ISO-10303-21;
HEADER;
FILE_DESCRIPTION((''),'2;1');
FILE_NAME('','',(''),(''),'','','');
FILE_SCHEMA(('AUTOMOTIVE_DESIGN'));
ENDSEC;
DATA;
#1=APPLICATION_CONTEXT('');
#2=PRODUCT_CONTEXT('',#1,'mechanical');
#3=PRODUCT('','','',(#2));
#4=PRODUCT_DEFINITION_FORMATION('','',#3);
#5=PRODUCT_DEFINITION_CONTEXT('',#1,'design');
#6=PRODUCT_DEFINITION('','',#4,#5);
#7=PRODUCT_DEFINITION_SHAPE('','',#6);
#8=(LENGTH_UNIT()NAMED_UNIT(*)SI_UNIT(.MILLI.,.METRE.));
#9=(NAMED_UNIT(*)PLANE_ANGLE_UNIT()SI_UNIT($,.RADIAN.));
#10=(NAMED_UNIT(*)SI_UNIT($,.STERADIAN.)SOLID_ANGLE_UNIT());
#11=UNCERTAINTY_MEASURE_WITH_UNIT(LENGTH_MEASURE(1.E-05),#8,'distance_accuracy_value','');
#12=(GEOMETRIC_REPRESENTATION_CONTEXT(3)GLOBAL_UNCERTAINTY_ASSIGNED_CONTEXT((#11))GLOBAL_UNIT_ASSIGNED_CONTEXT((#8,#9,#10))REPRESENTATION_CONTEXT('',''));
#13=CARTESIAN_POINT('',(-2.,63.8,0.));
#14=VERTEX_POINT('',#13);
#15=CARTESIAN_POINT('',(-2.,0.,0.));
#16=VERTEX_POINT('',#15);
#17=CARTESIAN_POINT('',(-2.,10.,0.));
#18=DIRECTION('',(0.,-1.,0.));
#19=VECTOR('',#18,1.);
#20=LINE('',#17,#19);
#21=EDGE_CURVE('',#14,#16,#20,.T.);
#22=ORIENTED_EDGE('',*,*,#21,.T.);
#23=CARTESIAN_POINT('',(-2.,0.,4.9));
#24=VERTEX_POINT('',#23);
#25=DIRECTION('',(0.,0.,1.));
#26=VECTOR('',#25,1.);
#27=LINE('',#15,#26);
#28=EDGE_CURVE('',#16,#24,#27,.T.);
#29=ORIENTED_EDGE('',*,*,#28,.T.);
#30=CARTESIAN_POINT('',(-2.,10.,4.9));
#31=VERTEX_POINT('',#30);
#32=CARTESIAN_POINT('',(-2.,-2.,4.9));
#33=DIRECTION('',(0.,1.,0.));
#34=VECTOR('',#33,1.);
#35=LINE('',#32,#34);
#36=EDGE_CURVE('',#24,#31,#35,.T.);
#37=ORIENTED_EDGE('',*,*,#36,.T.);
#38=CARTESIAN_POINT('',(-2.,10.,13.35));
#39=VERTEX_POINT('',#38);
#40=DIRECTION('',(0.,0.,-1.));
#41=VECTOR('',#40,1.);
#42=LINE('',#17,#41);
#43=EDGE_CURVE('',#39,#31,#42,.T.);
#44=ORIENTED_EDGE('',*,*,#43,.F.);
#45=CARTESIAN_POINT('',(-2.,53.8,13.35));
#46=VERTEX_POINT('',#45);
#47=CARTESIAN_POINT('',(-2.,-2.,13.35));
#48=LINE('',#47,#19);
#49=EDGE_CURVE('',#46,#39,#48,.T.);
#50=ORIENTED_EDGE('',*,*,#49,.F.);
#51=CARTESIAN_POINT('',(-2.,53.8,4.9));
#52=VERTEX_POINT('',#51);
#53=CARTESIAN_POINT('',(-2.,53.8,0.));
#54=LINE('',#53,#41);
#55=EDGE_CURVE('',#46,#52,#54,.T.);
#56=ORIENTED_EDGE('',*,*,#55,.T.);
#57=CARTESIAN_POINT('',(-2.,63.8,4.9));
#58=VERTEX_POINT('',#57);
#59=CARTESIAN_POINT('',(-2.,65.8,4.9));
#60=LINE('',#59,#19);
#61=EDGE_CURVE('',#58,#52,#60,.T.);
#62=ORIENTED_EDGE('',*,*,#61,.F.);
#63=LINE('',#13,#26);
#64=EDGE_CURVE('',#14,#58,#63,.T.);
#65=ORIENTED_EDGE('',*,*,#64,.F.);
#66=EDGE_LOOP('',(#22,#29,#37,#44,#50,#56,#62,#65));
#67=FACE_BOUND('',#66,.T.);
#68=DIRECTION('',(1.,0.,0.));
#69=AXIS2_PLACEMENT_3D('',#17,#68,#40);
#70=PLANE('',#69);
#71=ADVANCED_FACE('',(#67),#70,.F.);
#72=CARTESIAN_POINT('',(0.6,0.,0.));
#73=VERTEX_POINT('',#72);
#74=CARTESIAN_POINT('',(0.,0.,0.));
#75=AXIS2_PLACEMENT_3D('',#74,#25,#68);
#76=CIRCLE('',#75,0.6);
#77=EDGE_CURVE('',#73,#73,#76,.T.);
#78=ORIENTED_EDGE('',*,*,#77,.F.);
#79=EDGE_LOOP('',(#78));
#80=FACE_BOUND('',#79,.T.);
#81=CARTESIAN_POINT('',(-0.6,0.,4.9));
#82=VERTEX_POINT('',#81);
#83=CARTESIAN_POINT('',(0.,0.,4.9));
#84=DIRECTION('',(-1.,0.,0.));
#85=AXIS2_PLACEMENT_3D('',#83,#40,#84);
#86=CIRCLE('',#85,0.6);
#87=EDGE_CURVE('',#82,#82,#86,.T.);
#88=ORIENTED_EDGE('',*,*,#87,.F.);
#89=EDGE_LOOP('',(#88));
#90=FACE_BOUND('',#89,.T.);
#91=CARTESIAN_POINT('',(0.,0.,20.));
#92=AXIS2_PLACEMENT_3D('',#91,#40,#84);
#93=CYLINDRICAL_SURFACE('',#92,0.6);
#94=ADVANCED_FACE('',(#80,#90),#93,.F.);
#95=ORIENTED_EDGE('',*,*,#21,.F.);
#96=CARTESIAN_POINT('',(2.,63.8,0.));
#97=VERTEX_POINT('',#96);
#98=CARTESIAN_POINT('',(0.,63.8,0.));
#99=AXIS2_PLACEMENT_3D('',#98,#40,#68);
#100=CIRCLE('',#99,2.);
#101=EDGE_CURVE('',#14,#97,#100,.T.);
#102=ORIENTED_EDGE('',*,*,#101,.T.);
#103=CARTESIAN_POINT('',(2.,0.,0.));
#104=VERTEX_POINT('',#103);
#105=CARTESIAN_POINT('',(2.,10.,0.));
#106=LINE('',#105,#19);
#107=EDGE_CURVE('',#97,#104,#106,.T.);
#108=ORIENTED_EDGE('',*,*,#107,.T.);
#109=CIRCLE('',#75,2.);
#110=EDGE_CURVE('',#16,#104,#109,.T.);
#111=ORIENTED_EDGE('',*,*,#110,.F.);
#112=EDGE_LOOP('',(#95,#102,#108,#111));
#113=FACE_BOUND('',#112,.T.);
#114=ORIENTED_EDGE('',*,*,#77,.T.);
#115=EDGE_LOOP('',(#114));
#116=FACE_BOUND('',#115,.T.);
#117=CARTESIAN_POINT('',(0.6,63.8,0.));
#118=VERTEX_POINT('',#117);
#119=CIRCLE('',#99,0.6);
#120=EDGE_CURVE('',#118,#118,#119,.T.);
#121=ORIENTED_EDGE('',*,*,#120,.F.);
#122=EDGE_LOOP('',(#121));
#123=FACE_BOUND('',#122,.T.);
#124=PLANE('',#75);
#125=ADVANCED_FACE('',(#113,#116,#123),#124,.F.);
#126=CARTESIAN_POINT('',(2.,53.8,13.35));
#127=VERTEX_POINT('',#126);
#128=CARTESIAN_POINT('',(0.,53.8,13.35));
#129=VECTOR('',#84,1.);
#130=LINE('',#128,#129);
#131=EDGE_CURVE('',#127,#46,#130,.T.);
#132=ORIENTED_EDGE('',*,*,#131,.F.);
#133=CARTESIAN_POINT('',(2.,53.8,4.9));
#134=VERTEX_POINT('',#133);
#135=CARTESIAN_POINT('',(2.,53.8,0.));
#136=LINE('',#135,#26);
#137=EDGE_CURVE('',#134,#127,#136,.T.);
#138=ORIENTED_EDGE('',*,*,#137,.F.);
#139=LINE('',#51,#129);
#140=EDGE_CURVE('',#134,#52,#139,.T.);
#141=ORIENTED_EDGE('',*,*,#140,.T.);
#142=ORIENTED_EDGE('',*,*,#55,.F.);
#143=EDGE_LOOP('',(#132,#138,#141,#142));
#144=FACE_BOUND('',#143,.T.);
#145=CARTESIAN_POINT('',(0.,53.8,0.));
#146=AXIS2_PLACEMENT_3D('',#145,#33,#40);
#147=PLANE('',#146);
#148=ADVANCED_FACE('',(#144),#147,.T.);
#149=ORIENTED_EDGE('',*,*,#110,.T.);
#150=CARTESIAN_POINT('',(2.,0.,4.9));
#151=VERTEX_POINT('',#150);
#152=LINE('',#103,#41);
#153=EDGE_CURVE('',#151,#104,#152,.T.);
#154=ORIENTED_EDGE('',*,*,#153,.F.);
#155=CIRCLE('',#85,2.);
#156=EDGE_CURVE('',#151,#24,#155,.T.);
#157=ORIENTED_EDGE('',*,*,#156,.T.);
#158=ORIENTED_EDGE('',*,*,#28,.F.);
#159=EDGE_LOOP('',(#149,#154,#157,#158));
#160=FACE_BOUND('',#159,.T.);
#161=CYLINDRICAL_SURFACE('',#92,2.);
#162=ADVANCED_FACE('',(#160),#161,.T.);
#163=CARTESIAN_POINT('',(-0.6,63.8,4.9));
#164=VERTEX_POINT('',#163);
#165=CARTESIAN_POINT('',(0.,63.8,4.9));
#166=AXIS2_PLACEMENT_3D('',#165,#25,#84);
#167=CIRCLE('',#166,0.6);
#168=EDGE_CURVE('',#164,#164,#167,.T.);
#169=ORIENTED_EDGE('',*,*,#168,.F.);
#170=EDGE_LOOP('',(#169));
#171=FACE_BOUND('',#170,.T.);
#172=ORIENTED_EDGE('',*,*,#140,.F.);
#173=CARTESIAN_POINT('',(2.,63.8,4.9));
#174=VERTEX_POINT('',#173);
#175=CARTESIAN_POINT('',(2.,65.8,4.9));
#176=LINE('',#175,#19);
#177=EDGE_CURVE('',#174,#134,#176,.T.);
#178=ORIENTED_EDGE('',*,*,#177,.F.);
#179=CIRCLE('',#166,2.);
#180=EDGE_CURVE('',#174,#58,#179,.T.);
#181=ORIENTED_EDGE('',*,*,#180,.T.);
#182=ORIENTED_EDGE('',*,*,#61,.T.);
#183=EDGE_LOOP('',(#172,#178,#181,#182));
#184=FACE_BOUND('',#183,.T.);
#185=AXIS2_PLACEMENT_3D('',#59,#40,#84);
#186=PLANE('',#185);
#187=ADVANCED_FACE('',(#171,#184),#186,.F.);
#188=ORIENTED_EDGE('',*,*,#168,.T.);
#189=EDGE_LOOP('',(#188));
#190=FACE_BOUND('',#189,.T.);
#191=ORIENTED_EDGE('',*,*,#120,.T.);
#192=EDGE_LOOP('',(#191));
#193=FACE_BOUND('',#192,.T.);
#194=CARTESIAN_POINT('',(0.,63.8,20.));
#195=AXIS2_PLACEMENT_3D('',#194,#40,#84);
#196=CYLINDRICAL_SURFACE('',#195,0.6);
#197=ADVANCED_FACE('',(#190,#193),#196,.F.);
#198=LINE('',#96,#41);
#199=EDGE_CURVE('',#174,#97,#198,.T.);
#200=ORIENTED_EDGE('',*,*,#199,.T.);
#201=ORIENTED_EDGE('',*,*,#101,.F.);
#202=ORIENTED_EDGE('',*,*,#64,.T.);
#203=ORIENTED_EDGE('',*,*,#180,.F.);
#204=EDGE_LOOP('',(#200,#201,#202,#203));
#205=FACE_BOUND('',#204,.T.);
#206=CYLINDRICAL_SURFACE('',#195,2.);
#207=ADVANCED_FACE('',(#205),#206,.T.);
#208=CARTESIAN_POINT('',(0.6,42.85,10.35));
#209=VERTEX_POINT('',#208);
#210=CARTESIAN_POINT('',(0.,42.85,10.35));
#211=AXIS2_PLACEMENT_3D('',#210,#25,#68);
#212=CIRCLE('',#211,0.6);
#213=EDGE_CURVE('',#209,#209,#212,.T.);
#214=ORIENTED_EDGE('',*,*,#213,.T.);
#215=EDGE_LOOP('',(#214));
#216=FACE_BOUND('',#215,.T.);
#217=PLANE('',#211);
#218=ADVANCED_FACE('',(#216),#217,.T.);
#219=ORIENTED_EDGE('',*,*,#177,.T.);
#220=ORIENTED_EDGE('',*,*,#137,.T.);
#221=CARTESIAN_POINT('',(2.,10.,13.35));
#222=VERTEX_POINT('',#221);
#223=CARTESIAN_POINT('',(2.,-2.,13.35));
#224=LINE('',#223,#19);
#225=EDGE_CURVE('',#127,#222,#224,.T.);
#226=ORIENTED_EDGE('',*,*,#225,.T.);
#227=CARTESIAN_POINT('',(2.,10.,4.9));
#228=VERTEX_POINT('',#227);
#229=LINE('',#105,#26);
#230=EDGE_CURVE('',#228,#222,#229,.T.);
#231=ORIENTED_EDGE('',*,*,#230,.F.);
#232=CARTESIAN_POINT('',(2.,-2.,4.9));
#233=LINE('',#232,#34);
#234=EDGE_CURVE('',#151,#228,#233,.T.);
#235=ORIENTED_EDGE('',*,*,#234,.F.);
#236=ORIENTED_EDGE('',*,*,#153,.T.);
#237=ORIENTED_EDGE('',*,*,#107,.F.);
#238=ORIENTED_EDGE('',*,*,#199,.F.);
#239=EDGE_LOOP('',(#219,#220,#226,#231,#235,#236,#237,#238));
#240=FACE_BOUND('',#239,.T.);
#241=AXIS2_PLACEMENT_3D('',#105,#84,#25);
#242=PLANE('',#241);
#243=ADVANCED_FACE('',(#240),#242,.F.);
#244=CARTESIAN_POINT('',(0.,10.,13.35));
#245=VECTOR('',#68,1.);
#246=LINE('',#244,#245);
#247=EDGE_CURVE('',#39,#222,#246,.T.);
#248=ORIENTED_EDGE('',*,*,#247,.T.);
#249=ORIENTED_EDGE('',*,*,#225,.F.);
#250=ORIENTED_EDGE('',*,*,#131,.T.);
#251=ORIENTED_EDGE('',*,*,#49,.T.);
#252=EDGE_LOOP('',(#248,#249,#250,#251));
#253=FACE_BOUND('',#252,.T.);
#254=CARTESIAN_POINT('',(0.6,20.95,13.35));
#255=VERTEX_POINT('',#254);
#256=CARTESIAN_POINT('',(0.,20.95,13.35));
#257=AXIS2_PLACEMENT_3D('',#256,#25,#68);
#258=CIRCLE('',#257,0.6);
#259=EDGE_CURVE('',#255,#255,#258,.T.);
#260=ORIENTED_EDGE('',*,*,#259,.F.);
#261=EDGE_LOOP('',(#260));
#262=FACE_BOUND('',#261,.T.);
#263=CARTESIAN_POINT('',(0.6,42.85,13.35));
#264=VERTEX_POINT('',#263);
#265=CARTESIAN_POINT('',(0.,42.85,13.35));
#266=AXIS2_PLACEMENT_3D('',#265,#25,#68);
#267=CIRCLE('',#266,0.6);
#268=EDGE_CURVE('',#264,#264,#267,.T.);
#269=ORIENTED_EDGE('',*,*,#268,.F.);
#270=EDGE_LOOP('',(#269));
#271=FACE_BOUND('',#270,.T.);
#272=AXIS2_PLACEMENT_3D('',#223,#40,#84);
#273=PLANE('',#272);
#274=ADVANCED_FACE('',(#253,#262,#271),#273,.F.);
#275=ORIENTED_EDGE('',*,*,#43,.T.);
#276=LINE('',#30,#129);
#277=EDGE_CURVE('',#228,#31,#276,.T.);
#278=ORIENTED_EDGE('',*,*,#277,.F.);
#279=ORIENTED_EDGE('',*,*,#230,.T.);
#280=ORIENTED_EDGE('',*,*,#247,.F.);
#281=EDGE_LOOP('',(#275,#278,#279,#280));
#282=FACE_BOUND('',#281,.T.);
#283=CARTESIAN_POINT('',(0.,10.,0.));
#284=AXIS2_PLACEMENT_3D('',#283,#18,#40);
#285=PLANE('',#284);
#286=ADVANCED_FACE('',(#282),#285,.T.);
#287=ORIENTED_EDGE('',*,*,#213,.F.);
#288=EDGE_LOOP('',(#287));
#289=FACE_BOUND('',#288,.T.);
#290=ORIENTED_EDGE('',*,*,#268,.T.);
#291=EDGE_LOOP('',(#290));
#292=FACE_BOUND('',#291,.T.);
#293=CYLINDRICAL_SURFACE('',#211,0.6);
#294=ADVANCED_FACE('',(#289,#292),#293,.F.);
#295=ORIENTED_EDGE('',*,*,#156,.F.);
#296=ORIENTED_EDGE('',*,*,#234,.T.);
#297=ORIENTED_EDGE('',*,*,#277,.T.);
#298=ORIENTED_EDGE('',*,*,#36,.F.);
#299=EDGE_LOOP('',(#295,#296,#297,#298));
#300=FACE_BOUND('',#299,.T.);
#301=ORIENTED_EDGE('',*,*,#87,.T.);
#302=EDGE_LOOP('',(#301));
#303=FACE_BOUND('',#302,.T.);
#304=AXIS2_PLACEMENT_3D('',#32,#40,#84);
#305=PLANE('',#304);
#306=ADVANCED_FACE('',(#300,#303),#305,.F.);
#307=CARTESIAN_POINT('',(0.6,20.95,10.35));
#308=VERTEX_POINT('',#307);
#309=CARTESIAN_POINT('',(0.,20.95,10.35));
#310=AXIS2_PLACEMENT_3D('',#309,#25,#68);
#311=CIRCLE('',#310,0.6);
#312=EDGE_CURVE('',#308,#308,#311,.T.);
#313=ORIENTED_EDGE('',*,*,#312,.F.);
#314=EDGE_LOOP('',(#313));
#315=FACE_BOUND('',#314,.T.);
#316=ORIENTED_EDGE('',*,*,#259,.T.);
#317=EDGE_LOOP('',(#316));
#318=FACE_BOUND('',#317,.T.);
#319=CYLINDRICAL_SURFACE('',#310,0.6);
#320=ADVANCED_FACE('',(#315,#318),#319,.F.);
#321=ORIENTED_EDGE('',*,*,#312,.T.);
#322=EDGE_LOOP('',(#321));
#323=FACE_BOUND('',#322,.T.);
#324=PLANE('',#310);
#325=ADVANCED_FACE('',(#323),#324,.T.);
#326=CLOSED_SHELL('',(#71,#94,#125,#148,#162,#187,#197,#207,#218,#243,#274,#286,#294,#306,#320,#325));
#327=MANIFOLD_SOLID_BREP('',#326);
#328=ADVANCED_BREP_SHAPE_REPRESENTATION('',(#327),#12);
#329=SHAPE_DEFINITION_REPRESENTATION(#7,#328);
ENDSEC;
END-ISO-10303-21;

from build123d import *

# Parameters (mm, degrees)
SKETCH_1_R          = 2
SKETCH_1_R_2        = 0.6
EXTRUDE_1_DEPTH     = 20
SKETCH_4_W          = 4
SKETCH_4_H          = 20
EXTRUDE_2_DEPTH     = 10
SKETCH_3_W          = 4
SKETCH_3_H          = 10.2
CUT_EXTRUDE_1_DEPTH = 24.409399821
EXTRUDE_START       = 10
SKETCH_4_2_W        = 4
SKETCH_4_2_H        = 20
EXTRUDE_3_DEPTH     = 3
SKETCH_1_4_R        = 0.6
CUT_EXTRUDE_3_DEPTH = 24.937418407
SKETCH_5_W          = 4
SKETCH_5_H          = 18.9
EXTRUDE_4_DEPTH     = 20
SKETCH_6_W          = 6.65
SKETCH_6_H          = 67.8
CUT_EXTRUDE_4_DEPTH = 69.888605734
SKETCH_7_R          = 0.6
CUT_EXTRUDE_5_DEPTH = 3


with BuildPart() as part:
    # 草图1 → 凸台-拉伸1 (new body)
    with BuildSketch(Plane.XY):
        Circle(SKETCH_1_R)
        Circle(SKETCH_1_R_2, mode=Mode.SUBTRACT)
    extrude(amount=EXTRUDE_1_DEPTH)

    # 草图4 → 凸台-拉伸2 (add)
    with BuildSketch(Plane(origin=(0, 0, 0), x_dir=(1, 0, 0), z_dir=(0, 1, 0))):
        with Locations((0, -10)):
            Rectangle(SKETCH_4_W, SKETCH_4_H)
    extrude(amount=EXTRUDE_2_DEPTH)

    # 草图3 → 切除-拉伸1 (cut, through all)
    with BuildSketch(Plane(origin=(0, 10, 0), x_dir=(1, 0, 0), z_dir=(0, 1, 0))):
        with Locations((0, -10)):
            Rectangle(SKETCH_3_W, SKETCH_3_H)
    extrude(amount=-CUT_EXTRUDE_1_DEPTH, mode=Mode.SUBTRACT)


with BuildPart() as cut_extrude_1_piece_1:
    # of the separate pieces the step leaves, piece 1, a body of its own (cut_extrude_1_pieces)
    add(part.part.solids().sort_by_distance((-2, 0, 0))[0])



with BuildPart() as cut_extrude_1_piece_2:
    # of the separate pieces the step leaves, piece 2, a body of its own (cut_extrude_1_pieces)
    add(part.part.solids().sort_by_distance((2, 0, 15.1))[0])


with BuildPart() as cut_extrude_1_piece_1_1:
    add(cut_extrude_1_piece_1.part)

    add(cut_extrude_1_piece_2.part)  # 凸台-拉伸3 merges 切除-拉伸1 piece 2
    # 草图4<2> → 凸台-拉伸3 (add)
    with BuildSketch(Plane(origin=(0, 0, 0), x_dir=(1, 0, 0), z_dir=(0, 1, 0)).offset(EXTRUDE_START)):
        with Locations((0, -10)):
            Rectangle(SKETCH_4_2_W, SKETCH_4_2_H)
    extrude(amount=EXTRUDE_3_DEPTH)

    # 草图1<4> → 切除-拉伸3 (cut, through all)
    with BuildSketch(Plane.XY):
        with Locations(Location((0, 0, 0), (0, 0, 180))):
            Circle(SKETCH_1_4_R)
    extrude(amount=CUT_EXTRUDE_3_DEPTH, mode=Mode.SUBTRACT)

    # 草图5 → 凸台-拉伸4 (add)
    with BuildSketch(Plane(origin=(0, 0, 0), x_dir=(-1, 0, 0), z_dir=(0, 0, -1))):
        with Locations((0, 22.45)):
            Rectangle(SKETCH_5_W, SKETCH_5_H)
    extrude(amount=-EXTRUDE_4_DEPTH)

    # 镜向1: 切除-拉伸1 piece 1 across plane


with BuildPart() as cut_extrude_1_piece_1_2:
    add(cut_extrude_1_piece_1_1.part)
    add(cut_extrude_1_piece_1_1.part.mirror(Plane(origin=(2, 31.9, 39.318643845), x_dir=(0, 0, 1), z_dir=(0, 1, 0))))

    # 草图6 → 切除-拉伸4 (cut, through all)
    with BuildSketch(Plane.ZY.offset(2)):
        with Locations((16.675, 31.9)):
            Rectangle(SKETCH_6_W, SKETCH_6_H)
    extrude(amount=-CUT_EXTRUDE_4_DEPTH, mode=Mode.SUBTRACT)

    # 草图7 → 切除-拉伸5 (cut)
    with BuildSketch(Plane.XY.offset(13.35)):
        with Locations((0, 42.85)):
            Circle(SKETCH_7_R)
        with Locations((0, 20.95)):
            Circle(SKETCH_7_R)
    extrude(amount=-CUT_EXTRUDE_5_DEPTH, mode=Mode.SUBTRACT)


solid = cut_extrude_1_piece_1_2.part
